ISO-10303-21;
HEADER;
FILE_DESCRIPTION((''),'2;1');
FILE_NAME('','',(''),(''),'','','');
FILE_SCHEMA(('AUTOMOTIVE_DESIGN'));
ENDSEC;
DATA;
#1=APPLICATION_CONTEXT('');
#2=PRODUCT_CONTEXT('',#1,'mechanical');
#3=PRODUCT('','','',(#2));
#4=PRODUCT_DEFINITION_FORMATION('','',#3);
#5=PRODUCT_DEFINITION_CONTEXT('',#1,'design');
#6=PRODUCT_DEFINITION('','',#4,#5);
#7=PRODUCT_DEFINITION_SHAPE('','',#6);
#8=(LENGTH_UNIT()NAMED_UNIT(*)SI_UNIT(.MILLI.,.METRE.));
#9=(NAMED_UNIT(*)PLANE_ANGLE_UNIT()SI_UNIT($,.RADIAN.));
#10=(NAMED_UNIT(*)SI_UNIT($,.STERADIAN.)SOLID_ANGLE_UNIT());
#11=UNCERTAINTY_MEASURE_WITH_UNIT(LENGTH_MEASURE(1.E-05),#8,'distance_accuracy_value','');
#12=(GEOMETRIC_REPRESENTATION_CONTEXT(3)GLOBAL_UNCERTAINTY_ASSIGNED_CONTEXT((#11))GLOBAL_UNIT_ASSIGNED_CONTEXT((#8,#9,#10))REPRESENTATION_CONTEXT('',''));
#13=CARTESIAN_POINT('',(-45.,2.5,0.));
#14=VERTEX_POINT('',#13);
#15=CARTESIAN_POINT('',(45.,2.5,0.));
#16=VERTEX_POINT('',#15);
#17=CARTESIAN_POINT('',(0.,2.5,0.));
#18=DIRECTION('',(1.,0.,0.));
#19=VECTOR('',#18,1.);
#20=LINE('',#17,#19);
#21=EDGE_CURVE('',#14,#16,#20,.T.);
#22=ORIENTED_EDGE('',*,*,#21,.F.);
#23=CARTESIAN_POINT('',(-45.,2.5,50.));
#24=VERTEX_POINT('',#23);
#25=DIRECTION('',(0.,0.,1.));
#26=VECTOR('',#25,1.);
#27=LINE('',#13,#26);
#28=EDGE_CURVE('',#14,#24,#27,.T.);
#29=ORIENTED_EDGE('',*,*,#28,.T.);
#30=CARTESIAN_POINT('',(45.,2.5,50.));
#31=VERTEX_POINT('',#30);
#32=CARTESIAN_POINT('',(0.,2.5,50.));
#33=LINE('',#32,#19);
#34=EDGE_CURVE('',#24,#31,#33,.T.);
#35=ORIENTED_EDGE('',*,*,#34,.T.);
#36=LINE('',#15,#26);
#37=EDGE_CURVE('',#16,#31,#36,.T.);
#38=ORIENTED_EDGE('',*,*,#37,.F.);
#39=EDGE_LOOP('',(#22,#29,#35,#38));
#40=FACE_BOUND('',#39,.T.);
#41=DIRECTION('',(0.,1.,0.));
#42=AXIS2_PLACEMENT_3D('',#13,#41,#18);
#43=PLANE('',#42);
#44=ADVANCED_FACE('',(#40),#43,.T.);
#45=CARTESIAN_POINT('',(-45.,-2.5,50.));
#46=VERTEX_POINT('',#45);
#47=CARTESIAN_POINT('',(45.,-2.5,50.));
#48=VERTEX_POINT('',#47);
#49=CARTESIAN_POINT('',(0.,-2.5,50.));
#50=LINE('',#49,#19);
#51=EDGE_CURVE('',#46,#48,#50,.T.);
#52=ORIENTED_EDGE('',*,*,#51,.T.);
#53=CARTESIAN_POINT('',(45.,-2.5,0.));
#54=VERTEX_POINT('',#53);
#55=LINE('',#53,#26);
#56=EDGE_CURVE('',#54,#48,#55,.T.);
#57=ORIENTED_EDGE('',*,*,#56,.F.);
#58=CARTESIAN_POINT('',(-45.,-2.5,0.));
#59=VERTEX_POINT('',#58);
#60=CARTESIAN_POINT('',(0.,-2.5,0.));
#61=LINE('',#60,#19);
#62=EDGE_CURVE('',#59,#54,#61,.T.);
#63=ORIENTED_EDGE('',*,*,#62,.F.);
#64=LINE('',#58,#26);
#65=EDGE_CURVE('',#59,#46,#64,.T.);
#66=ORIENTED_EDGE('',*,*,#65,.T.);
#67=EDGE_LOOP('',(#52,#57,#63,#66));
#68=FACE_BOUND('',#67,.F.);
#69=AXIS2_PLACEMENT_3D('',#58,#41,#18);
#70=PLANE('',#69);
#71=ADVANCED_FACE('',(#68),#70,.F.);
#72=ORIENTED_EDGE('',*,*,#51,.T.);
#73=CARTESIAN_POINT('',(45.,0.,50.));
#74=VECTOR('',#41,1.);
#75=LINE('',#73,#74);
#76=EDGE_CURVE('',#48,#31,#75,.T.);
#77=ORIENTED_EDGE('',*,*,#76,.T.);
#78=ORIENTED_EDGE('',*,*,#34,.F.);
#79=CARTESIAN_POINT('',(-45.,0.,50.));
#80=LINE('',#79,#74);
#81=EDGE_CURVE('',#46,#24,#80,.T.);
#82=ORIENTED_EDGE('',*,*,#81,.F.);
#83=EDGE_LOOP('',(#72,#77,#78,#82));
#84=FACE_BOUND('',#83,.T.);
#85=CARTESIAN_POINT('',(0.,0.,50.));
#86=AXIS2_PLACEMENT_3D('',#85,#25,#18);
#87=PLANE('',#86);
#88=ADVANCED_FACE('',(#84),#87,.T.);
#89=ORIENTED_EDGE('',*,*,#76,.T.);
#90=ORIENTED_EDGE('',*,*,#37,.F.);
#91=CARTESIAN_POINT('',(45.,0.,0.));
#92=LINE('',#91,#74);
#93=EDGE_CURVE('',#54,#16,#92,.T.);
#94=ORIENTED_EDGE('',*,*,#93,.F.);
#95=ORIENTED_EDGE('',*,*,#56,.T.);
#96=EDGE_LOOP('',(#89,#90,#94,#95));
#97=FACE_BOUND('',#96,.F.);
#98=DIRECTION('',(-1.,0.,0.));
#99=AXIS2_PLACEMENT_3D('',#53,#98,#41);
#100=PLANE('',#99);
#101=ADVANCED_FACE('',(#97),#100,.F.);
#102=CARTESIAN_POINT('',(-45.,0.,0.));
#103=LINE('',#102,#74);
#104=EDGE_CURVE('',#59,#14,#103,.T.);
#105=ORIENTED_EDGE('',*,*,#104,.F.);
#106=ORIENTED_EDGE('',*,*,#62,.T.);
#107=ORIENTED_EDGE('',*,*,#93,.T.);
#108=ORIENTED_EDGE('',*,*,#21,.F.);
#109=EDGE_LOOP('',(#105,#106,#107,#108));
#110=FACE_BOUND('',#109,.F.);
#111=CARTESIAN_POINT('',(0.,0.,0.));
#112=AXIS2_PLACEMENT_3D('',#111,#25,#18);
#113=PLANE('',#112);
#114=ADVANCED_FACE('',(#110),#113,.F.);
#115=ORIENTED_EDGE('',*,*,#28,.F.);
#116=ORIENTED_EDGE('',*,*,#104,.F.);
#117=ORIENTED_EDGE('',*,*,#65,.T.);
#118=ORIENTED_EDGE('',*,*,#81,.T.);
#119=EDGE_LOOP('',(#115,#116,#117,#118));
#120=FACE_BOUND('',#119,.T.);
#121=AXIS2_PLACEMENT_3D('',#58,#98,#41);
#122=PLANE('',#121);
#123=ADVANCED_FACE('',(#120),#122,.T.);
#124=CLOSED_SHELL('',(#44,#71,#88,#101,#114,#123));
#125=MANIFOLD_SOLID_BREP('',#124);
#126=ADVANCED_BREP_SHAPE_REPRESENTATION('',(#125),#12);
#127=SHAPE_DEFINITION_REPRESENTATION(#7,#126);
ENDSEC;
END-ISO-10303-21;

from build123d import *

# Parameters (mm, degrees)
SKETCH_W      = 90
SKETCH_H      = 5
EXTRUDE_DEPTH = 50


with BuildPart() as part:
    # Sketch → Extrude (new body)
    with BuildSketch(Plane.XY):
        Rectangle(SKETCH_W, SKETCH_H)
    extrude(amount=EXTRUDE_DEPTH)


solid = part.part
